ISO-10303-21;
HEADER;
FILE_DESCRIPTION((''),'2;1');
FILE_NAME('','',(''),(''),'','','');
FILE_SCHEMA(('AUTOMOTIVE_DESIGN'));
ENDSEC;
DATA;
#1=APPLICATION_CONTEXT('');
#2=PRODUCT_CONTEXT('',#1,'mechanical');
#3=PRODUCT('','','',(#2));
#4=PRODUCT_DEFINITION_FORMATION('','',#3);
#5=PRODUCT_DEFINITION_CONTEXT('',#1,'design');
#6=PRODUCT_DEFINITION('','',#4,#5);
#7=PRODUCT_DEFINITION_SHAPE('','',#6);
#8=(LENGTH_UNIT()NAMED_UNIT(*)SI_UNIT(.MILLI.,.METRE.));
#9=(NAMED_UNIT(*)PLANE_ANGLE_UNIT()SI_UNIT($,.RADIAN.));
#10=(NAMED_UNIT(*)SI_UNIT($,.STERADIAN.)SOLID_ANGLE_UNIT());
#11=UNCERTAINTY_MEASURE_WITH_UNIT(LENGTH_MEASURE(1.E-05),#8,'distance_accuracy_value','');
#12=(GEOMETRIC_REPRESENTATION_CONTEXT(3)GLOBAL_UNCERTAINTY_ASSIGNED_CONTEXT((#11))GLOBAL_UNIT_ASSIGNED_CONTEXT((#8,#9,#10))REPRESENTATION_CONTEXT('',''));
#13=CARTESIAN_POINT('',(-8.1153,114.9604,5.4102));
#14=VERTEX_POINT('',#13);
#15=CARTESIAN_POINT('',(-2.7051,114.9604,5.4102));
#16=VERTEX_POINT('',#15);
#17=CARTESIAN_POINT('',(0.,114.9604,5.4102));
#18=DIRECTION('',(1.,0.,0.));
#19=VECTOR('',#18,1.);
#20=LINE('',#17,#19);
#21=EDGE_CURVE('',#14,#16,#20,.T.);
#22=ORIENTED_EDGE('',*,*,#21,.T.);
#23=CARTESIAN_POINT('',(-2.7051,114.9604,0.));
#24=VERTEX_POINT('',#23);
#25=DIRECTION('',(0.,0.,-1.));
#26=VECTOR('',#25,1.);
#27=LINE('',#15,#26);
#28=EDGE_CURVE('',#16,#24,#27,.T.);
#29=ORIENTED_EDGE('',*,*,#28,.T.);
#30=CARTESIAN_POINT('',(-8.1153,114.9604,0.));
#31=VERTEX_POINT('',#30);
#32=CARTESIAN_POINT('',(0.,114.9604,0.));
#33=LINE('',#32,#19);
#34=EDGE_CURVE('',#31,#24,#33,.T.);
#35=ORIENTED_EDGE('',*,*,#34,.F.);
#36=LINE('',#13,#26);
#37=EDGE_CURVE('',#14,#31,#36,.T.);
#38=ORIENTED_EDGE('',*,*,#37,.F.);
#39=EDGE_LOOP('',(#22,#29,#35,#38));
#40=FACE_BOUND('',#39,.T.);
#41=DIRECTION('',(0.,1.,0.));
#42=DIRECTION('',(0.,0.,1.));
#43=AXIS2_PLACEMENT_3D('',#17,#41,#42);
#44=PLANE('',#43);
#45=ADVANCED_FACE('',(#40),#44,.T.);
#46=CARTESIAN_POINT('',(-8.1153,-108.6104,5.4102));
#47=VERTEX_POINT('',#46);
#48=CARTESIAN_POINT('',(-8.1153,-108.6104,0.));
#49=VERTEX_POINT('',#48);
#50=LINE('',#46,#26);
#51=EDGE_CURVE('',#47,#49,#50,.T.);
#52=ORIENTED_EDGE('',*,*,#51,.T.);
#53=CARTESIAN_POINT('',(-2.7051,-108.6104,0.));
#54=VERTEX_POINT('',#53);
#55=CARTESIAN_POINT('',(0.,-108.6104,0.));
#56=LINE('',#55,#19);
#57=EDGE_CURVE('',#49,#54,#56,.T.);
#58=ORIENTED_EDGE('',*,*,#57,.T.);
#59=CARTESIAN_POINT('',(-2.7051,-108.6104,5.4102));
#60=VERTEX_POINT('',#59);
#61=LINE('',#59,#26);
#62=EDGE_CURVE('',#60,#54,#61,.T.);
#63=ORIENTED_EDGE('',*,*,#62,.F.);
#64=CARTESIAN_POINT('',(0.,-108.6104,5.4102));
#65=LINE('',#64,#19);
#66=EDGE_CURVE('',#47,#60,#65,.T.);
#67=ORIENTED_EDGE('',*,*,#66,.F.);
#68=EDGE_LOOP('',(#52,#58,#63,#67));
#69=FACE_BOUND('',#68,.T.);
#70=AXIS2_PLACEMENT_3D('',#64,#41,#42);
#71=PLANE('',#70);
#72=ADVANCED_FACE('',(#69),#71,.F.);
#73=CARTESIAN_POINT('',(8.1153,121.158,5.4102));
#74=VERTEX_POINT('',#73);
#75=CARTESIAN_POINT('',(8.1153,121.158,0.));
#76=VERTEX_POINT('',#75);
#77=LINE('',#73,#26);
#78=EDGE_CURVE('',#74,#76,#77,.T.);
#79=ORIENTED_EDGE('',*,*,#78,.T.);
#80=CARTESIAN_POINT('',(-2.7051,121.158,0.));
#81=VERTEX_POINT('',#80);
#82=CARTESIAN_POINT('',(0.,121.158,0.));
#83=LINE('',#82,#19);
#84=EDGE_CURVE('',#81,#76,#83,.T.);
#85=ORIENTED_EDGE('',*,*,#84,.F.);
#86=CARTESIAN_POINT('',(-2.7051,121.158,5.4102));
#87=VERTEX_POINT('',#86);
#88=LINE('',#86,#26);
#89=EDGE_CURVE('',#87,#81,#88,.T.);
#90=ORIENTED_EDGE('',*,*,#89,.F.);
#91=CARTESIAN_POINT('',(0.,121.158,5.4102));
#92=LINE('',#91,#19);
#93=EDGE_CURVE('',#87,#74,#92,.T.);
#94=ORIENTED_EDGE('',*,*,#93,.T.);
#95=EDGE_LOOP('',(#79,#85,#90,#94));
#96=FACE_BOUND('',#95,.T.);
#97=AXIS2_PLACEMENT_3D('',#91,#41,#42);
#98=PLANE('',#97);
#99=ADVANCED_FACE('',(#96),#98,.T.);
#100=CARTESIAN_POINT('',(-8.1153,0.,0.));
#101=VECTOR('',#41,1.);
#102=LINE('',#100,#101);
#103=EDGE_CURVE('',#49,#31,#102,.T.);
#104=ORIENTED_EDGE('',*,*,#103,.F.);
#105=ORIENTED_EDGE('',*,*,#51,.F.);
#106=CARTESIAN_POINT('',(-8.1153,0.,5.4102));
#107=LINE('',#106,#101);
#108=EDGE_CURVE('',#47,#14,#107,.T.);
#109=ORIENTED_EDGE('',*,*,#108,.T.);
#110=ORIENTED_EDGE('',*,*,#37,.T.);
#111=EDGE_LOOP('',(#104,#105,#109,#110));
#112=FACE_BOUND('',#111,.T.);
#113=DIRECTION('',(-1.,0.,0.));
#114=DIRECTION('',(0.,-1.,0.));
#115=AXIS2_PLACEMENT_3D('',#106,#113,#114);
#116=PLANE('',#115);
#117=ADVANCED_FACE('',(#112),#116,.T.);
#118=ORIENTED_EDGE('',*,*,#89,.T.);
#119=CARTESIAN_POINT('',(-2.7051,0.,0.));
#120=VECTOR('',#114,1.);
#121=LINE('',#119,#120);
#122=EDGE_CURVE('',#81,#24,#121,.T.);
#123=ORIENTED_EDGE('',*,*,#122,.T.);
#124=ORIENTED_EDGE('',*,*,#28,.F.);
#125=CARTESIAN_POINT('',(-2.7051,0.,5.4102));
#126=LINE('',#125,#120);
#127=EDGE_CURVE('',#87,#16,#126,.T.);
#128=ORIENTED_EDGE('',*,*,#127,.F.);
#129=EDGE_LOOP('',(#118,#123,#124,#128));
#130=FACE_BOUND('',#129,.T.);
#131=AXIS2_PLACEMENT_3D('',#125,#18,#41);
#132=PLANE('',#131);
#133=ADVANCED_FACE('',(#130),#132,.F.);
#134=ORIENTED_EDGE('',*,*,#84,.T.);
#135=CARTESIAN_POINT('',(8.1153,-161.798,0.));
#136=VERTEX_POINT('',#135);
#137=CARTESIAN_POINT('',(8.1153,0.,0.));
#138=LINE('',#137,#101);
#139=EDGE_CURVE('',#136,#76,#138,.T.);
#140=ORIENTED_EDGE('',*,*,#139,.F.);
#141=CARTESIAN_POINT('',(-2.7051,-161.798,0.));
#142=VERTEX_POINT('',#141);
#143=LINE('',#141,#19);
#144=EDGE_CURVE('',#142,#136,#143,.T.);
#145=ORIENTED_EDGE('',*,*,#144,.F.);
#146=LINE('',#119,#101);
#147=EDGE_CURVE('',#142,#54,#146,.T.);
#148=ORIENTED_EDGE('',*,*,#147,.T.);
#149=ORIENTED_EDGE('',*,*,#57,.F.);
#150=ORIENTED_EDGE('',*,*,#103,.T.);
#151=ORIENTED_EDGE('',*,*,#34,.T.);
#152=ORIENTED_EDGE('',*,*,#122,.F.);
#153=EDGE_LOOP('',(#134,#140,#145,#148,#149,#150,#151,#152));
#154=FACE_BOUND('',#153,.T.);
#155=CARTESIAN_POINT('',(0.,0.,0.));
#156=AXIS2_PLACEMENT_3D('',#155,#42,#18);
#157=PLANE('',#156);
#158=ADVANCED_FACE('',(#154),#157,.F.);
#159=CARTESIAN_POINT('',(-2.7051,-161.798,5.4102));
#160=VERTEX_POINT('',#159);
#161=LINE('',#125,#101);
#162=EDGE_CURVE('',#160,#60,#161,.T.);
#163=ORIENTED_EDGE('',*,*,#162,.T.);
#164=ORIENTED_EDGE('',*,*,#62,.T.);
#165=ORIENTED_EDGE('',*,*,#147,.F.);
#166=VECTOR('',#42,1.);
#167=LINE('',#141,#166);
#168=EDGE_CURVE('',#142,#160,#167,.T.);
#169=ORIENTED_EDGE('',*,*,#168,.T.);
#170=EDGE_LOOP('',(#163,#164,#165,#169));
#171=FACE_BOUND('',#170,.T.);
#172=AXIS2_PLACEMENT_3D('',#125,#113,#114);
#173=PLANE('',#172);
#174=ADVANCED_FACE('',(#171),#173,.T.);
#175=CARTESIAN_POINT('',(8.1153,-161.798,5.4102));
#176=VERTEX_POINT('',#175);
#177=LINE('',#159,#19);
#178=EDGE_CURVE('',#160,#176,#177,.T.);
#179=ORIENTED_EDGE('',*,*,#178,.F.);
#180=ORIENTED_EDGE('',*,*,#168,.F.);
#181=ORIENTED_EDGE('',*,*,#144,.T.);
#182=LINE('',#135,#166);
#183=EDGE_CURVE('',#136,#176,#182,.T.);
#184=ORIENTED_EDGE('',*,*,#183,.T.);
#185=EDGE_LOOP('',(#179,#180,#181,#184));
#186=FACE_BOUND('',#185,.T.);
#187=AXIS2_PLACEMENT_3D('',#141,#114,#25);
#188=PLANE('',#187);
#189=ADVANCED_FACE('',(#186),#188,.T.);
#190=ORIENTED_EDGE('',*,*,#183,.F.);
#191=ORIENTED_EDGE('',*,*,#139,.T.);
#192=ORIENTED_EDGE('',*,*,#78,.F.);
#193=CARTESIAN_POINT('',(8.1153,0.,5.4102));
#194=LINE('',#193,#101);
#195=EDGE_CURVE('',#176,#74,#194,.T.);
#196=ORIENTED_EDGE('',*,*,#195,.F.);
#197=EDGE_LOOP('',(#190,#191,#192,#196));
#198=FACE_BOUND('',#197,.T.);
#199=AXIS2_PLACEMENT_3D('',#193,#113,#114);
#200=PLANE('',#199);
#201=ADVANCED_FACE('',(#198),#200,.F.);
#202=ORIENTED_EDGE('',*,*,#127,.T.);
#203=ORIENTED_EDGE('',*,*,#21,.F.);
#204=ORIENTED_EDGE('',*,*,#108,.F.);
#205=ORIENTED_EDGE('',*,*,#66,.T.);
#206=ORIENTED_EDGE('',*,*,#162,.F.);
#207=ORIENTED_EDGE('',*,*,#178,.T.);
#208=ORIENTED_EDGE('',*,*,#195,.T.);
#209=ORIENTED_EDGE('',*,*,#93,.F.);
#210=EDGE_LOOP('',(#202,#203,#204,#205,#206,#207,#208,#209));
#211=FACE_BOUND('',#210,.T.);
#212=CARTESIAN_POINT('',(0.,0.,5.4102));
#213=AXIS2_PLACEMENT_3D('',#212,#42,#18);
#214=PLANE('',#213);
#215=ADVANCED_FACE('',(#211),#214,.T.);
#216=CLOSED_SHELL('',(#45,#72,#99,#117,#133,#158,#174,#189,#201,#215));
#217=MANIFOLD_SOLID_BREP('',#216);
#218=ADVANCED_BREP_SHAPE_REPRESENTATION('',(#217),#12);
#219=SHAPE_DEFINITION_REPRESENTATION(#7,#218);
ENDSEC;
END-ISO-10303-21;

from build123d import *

# Parameters (mm, degrees)
BOSS_EXTRUDE1_DEPTH = 5.4102
SKETCH2_W           = 10.8204
SKETCH2_H           = 40.64
BOSS_EXTRUDE2_DEPTH = 5.4102


with BuildPart() as part:
    # Sketch1 → Boss-Extrude1 (new body)
    with BuildSketch(Plane.XY):
        Polygon((-2.7051, -108.6104), (-2.7051, -121.158), (8.1153, -121.158), (8.1153, 121.158), (-2.7051, 121.158), (-2.7051, 114.9604), (-8.1153, 114.9604), (-8.1153, -108.6104), align=None)
    extrude(amount=BOSS_EXTRUDE1_DEPTH)

    # Sketch2 → Boss-Extrude2 (add)
    with BuildSketch(Plane.XY.offset(5.4102)):
        with Locations((2.7051, -141.478)):
            Rectangle(SKETCH2_W, SKETCH2_H)
    extrude(amount=-BOSS_EXTRUDE2_DEPTH)


solid = part.part
